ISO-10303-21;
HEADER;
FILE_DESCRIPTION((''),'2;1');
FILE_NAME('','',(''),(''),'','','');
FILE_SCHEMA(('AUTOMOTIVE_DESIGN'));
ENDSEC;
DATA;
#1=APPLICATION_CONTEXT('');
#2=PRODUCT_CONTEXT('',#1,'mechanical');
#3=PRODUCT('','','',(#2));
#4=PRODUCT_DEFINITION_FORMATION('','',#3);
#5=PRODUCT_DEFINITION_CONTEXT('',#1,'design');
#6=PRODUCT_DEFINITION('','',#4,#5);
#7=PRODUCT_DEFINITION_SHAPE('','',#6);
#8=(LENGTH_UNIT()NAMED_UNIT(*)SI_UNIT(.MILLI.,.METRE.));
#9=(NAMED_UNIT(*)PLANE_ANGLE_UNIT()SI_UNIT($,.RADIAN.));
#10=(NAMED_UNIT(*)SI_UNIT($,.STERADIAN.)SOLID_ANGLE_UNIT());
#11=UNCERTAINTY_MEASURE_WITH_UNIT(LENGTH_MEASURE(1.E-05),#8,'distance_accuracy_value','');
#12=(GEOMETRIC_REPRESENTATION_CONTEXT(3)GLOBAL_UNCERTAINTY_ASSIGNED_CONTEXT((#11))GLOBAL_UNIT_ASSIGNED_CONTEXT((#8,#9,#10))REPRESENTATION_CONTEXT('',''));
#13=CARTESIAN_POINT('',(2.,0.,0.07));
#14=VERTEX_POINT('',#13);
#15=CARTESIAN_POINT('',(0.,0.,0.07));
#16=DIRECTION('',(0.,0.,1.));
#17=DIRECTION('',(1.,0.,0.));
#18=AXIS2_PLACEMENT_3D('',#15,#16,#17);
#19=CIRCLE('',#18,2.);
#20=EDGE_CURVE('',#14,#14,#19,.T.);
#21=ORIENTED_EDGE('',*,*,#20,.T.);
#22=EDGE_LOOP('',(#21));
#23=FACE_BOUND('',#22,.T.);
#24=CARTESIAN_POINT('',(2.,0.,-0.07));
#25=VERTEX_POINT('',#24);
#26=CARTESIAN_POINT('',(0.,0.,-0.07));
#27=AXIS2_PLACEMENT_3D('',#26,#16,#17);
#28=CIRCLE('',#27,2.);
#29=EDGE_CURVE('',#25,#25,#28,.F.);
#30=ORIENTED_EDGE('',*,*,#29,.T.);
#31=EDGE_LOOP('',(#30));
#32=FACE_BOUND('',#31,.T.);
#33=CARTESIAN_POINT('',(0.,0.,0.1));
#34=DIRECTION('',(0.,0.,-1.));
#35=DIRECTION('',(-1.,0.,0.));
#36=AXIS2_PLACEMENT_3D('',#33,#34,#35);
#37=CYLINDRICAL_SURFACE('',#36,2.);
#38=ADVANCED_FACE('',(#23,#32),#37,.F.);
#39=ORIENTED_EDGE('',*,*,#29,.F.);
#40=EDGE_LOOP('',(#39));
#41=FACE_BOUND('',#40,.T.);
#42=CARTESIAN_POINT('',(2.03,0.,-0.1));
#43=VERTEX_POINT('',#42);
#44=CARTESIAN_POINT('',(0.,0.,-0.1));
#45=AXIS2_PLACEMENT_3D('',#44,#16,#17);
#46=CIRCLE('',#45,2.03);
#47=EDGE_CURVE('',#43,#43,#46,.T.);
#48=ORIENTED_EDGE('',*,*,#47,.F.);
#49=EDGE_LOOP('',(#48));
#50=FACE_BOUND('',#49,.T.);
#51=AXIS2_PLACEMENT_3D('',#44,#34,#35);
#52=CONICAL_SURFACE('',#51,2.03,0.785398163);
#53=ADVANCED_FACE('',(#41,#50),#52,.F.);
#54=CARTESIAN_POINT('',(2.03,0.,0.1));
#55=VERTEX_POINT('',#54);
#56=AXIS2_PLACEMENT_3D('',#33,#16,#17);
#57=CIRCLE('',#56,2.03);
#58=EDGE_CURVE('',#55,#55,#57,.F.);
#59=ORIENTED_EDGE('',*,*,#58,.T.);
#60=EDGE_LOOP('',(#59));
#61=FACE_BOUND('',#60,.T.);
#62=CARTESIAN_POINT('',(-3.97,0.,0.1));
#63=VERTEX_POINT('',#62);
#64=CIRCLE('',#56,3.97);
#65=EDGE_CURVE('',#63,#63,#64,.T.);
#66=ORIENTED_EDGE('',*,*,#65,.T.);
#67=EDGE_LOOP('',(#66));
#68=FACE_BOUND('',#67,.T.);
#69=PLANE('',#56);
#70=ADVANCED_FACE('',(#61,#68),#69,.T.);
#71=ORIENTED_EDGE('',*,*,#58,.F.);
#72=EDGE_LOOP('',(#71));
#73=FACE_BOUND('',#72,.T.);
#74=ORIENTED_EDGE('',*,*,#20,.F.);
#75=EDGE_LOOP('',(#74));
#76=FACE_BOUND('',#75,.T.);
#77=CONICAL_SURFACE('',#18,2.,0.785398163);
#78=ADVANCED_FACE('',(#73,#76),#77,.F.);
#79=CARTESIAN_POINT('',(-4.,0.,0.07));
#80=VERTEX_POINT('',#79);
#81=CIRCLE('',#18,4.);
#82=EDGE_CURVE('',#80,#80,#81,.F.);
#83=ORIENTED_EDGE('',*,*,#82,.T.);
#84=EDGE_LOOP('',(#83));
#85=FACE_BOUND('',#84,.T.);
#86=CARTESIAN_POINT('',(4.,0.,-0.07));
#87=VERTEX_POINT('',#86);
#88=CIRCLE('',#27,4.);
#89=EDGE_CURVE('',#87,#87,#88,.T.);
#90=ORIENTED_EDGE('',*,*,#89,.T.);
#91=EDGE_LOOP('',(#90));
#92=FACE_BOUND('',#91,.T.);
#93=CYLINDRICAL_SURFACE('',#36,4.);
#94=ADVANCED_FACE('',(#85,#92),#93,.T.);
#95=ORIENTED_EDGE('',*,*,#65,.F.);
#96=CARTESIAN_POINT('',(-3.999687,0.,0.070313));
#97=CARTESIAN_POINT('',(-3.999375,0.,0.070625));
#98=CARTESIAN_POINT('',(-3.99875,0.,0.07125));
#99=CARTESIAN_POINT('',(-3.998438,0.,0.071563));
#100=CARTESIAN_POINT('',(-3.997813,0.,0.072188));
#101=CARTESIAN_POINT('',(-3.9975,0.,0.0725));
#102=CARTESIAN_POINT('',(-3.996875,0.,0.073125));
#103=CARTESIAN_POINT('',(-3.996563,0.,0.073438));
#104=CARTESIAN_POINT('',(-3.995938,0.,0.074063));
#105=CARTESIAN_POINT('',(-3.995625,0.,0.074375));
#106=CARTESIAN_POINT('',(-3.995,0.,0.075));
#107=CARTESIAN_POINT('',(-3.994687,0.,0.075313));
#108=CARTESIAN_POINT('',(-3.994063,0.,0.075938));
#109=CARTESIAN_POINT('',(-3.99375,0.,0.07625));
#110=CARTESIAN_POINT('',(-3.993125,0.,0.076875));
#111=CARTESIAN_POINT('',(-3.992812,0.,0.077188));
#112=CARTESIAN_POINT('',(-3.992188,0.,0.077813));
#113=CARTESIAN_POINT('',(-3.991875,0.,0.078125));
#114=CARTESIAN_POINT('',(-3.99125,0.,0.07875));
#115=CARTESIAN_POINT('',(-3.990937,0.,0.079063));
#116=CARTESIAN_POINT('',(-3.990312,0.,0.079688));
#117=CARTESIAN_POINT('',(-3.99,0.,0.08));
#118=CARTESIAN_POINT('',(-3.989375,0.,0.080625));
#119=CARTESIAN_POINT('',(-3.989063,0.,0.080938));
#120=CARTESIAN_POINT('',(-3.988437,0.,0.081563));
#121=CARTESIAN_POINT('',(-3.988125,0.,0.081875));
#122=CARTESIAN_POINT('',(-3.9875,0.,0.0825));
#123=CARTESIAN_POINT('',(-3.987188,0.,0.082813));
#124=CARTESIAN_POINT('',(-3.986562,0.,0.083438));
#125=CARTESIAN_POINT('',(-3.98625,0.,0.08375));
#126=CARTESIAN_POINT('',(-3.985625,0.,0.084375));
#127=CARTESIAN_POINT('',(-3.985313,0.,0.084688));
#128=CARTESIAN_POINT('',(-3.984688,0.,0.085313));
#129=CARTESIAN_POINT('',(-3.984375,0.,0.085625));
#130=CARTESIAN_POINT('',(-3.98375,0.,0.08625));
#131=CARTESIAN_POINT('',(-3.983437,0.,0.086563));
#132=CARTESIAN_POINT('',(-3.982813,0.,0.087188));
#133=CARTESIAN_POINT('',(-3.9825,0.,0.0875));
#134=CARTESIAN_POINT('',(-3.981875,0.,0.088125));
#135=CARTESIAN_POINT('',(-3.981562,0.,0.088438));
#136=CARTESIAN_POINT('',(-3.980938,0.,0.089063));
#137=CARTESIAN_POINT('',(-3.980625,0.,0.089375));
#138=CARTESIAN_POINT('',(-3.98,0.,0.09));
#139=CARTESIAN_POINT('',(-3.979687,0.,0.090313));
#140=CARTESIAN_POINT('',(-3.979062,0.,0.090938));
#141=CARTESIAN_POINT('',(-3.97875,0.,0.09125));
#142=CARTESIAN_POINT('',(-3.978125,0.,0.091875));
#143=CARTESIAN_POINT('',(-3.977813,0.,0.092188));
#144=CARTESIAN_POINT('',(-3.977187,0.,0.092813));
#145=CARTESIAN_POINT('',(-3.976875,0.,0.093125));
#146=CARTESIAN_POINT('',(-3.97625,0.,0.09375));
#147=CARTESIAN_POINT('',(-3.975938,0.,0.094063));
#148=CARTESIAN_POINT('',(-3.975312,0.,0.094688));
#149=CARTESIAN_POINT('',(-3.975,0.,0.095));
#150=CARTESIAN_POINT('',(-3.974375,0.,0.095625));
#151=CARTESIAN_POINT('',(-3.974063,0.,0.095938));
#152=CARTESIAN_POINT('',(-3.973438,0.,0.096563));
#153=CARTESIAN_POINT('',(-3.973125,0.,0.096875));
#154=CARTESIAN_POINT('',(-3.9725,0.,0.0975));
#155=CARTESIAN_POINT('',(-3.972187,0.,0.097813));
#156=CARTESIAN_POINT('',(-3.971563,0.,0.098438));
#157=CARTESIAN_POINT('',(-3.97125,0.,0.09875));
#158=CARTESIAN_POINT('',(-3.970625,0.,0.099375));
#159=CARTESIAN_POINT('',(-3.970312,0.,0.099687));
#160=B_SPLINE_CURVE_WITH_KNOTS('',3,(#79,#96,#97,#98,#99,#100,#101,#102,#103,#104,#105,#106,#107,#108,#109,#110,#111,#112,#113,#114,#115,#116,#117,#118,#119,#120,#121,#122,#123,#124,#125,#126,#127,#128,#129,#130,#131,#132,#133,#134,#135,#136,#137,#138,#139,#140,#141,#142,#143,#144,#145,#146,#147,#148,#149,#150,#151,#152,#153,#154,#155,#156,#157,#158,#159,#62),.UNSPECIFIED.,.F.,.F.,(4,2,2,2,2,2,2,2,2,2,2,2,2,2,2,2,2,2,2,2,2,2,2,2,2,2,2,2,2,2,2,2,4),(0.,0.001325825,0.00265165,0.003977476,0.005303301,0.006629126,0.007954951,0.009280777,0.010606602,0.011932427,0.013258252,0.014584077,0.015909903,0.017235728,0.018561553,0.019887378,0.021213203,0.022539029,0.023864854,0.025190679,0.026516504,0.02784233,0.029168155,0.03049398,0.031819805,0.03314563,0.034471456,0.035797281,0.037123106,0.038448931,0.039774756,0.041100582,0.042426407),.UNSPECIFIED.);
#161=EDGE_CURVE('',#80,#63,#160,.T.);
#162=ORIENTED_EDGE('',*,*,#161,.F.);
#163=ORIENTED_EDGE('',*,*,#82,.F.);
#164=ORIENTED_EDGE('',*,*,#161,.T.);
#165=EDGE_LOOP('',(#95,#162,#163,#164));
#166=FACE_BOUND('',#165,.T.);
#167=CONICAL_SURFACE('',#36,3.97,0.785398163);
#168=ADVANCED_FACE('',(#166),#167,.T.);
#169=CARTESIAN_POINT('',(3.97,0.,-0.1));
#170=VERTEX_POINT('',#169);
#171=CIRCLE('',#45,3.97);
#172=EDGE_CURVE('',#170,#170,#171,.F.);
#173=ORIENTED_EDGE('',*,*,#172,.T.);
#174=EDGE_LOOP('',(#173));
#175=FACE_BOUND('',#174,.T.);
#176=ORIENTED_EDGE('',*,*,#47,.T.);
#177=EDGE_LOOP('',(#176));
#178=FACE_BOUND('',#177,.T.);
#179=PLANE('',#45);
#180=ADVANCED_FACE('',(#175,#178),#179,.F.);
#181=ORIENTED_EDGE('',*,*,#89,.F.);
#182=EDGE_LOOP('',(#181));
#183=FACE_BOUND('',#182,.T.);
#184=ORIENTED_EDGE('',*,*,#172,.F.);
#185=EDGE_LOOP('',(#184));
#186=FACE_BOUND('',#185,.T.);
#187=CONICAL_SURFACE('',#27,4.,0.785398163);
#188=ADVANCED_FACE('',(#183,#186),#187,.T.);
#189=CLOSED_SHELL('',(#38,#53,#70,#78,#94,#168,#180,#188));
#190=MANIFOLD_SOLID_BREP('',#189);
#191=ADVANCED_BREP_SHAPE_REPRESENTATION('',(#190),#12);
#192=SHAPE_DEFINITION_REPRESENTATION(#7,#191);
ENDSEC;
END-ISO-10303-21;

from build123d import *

# Parameters (mm, degrees)
SKETCH_1_R      = 4
SKETCH_1_R_2    = 2
EXTRUDE_1_DEPTH = 0.1
CHAMFER_1_SIZE  = 0.03


with BuildPart() as part:
    # 草图1 → 凸台-拉伸1 (new, symmetric)
    with BuildSketch(Plane.XY):
        Circle(SKETCH_1_R)
        Circle(SKETCH_1_R_2, mode=Mode.SUBTRACT)
    extrude(amount=EXTRUDE_1_DEPTH, both=True)

    # 倒角1
    chamfer_1_edges = [part.edges().sort_by_distance(p)[0] for p in [
        (-4, 0, -0.1),
        (-4, 0, 0.1),
        (-2, 0, -0.1),
        (-2, 0, 0.1),
    ]]
    chamfer(chamfer_1_edges, length=CHAMFER_1_SIZE)


solid = part.part
